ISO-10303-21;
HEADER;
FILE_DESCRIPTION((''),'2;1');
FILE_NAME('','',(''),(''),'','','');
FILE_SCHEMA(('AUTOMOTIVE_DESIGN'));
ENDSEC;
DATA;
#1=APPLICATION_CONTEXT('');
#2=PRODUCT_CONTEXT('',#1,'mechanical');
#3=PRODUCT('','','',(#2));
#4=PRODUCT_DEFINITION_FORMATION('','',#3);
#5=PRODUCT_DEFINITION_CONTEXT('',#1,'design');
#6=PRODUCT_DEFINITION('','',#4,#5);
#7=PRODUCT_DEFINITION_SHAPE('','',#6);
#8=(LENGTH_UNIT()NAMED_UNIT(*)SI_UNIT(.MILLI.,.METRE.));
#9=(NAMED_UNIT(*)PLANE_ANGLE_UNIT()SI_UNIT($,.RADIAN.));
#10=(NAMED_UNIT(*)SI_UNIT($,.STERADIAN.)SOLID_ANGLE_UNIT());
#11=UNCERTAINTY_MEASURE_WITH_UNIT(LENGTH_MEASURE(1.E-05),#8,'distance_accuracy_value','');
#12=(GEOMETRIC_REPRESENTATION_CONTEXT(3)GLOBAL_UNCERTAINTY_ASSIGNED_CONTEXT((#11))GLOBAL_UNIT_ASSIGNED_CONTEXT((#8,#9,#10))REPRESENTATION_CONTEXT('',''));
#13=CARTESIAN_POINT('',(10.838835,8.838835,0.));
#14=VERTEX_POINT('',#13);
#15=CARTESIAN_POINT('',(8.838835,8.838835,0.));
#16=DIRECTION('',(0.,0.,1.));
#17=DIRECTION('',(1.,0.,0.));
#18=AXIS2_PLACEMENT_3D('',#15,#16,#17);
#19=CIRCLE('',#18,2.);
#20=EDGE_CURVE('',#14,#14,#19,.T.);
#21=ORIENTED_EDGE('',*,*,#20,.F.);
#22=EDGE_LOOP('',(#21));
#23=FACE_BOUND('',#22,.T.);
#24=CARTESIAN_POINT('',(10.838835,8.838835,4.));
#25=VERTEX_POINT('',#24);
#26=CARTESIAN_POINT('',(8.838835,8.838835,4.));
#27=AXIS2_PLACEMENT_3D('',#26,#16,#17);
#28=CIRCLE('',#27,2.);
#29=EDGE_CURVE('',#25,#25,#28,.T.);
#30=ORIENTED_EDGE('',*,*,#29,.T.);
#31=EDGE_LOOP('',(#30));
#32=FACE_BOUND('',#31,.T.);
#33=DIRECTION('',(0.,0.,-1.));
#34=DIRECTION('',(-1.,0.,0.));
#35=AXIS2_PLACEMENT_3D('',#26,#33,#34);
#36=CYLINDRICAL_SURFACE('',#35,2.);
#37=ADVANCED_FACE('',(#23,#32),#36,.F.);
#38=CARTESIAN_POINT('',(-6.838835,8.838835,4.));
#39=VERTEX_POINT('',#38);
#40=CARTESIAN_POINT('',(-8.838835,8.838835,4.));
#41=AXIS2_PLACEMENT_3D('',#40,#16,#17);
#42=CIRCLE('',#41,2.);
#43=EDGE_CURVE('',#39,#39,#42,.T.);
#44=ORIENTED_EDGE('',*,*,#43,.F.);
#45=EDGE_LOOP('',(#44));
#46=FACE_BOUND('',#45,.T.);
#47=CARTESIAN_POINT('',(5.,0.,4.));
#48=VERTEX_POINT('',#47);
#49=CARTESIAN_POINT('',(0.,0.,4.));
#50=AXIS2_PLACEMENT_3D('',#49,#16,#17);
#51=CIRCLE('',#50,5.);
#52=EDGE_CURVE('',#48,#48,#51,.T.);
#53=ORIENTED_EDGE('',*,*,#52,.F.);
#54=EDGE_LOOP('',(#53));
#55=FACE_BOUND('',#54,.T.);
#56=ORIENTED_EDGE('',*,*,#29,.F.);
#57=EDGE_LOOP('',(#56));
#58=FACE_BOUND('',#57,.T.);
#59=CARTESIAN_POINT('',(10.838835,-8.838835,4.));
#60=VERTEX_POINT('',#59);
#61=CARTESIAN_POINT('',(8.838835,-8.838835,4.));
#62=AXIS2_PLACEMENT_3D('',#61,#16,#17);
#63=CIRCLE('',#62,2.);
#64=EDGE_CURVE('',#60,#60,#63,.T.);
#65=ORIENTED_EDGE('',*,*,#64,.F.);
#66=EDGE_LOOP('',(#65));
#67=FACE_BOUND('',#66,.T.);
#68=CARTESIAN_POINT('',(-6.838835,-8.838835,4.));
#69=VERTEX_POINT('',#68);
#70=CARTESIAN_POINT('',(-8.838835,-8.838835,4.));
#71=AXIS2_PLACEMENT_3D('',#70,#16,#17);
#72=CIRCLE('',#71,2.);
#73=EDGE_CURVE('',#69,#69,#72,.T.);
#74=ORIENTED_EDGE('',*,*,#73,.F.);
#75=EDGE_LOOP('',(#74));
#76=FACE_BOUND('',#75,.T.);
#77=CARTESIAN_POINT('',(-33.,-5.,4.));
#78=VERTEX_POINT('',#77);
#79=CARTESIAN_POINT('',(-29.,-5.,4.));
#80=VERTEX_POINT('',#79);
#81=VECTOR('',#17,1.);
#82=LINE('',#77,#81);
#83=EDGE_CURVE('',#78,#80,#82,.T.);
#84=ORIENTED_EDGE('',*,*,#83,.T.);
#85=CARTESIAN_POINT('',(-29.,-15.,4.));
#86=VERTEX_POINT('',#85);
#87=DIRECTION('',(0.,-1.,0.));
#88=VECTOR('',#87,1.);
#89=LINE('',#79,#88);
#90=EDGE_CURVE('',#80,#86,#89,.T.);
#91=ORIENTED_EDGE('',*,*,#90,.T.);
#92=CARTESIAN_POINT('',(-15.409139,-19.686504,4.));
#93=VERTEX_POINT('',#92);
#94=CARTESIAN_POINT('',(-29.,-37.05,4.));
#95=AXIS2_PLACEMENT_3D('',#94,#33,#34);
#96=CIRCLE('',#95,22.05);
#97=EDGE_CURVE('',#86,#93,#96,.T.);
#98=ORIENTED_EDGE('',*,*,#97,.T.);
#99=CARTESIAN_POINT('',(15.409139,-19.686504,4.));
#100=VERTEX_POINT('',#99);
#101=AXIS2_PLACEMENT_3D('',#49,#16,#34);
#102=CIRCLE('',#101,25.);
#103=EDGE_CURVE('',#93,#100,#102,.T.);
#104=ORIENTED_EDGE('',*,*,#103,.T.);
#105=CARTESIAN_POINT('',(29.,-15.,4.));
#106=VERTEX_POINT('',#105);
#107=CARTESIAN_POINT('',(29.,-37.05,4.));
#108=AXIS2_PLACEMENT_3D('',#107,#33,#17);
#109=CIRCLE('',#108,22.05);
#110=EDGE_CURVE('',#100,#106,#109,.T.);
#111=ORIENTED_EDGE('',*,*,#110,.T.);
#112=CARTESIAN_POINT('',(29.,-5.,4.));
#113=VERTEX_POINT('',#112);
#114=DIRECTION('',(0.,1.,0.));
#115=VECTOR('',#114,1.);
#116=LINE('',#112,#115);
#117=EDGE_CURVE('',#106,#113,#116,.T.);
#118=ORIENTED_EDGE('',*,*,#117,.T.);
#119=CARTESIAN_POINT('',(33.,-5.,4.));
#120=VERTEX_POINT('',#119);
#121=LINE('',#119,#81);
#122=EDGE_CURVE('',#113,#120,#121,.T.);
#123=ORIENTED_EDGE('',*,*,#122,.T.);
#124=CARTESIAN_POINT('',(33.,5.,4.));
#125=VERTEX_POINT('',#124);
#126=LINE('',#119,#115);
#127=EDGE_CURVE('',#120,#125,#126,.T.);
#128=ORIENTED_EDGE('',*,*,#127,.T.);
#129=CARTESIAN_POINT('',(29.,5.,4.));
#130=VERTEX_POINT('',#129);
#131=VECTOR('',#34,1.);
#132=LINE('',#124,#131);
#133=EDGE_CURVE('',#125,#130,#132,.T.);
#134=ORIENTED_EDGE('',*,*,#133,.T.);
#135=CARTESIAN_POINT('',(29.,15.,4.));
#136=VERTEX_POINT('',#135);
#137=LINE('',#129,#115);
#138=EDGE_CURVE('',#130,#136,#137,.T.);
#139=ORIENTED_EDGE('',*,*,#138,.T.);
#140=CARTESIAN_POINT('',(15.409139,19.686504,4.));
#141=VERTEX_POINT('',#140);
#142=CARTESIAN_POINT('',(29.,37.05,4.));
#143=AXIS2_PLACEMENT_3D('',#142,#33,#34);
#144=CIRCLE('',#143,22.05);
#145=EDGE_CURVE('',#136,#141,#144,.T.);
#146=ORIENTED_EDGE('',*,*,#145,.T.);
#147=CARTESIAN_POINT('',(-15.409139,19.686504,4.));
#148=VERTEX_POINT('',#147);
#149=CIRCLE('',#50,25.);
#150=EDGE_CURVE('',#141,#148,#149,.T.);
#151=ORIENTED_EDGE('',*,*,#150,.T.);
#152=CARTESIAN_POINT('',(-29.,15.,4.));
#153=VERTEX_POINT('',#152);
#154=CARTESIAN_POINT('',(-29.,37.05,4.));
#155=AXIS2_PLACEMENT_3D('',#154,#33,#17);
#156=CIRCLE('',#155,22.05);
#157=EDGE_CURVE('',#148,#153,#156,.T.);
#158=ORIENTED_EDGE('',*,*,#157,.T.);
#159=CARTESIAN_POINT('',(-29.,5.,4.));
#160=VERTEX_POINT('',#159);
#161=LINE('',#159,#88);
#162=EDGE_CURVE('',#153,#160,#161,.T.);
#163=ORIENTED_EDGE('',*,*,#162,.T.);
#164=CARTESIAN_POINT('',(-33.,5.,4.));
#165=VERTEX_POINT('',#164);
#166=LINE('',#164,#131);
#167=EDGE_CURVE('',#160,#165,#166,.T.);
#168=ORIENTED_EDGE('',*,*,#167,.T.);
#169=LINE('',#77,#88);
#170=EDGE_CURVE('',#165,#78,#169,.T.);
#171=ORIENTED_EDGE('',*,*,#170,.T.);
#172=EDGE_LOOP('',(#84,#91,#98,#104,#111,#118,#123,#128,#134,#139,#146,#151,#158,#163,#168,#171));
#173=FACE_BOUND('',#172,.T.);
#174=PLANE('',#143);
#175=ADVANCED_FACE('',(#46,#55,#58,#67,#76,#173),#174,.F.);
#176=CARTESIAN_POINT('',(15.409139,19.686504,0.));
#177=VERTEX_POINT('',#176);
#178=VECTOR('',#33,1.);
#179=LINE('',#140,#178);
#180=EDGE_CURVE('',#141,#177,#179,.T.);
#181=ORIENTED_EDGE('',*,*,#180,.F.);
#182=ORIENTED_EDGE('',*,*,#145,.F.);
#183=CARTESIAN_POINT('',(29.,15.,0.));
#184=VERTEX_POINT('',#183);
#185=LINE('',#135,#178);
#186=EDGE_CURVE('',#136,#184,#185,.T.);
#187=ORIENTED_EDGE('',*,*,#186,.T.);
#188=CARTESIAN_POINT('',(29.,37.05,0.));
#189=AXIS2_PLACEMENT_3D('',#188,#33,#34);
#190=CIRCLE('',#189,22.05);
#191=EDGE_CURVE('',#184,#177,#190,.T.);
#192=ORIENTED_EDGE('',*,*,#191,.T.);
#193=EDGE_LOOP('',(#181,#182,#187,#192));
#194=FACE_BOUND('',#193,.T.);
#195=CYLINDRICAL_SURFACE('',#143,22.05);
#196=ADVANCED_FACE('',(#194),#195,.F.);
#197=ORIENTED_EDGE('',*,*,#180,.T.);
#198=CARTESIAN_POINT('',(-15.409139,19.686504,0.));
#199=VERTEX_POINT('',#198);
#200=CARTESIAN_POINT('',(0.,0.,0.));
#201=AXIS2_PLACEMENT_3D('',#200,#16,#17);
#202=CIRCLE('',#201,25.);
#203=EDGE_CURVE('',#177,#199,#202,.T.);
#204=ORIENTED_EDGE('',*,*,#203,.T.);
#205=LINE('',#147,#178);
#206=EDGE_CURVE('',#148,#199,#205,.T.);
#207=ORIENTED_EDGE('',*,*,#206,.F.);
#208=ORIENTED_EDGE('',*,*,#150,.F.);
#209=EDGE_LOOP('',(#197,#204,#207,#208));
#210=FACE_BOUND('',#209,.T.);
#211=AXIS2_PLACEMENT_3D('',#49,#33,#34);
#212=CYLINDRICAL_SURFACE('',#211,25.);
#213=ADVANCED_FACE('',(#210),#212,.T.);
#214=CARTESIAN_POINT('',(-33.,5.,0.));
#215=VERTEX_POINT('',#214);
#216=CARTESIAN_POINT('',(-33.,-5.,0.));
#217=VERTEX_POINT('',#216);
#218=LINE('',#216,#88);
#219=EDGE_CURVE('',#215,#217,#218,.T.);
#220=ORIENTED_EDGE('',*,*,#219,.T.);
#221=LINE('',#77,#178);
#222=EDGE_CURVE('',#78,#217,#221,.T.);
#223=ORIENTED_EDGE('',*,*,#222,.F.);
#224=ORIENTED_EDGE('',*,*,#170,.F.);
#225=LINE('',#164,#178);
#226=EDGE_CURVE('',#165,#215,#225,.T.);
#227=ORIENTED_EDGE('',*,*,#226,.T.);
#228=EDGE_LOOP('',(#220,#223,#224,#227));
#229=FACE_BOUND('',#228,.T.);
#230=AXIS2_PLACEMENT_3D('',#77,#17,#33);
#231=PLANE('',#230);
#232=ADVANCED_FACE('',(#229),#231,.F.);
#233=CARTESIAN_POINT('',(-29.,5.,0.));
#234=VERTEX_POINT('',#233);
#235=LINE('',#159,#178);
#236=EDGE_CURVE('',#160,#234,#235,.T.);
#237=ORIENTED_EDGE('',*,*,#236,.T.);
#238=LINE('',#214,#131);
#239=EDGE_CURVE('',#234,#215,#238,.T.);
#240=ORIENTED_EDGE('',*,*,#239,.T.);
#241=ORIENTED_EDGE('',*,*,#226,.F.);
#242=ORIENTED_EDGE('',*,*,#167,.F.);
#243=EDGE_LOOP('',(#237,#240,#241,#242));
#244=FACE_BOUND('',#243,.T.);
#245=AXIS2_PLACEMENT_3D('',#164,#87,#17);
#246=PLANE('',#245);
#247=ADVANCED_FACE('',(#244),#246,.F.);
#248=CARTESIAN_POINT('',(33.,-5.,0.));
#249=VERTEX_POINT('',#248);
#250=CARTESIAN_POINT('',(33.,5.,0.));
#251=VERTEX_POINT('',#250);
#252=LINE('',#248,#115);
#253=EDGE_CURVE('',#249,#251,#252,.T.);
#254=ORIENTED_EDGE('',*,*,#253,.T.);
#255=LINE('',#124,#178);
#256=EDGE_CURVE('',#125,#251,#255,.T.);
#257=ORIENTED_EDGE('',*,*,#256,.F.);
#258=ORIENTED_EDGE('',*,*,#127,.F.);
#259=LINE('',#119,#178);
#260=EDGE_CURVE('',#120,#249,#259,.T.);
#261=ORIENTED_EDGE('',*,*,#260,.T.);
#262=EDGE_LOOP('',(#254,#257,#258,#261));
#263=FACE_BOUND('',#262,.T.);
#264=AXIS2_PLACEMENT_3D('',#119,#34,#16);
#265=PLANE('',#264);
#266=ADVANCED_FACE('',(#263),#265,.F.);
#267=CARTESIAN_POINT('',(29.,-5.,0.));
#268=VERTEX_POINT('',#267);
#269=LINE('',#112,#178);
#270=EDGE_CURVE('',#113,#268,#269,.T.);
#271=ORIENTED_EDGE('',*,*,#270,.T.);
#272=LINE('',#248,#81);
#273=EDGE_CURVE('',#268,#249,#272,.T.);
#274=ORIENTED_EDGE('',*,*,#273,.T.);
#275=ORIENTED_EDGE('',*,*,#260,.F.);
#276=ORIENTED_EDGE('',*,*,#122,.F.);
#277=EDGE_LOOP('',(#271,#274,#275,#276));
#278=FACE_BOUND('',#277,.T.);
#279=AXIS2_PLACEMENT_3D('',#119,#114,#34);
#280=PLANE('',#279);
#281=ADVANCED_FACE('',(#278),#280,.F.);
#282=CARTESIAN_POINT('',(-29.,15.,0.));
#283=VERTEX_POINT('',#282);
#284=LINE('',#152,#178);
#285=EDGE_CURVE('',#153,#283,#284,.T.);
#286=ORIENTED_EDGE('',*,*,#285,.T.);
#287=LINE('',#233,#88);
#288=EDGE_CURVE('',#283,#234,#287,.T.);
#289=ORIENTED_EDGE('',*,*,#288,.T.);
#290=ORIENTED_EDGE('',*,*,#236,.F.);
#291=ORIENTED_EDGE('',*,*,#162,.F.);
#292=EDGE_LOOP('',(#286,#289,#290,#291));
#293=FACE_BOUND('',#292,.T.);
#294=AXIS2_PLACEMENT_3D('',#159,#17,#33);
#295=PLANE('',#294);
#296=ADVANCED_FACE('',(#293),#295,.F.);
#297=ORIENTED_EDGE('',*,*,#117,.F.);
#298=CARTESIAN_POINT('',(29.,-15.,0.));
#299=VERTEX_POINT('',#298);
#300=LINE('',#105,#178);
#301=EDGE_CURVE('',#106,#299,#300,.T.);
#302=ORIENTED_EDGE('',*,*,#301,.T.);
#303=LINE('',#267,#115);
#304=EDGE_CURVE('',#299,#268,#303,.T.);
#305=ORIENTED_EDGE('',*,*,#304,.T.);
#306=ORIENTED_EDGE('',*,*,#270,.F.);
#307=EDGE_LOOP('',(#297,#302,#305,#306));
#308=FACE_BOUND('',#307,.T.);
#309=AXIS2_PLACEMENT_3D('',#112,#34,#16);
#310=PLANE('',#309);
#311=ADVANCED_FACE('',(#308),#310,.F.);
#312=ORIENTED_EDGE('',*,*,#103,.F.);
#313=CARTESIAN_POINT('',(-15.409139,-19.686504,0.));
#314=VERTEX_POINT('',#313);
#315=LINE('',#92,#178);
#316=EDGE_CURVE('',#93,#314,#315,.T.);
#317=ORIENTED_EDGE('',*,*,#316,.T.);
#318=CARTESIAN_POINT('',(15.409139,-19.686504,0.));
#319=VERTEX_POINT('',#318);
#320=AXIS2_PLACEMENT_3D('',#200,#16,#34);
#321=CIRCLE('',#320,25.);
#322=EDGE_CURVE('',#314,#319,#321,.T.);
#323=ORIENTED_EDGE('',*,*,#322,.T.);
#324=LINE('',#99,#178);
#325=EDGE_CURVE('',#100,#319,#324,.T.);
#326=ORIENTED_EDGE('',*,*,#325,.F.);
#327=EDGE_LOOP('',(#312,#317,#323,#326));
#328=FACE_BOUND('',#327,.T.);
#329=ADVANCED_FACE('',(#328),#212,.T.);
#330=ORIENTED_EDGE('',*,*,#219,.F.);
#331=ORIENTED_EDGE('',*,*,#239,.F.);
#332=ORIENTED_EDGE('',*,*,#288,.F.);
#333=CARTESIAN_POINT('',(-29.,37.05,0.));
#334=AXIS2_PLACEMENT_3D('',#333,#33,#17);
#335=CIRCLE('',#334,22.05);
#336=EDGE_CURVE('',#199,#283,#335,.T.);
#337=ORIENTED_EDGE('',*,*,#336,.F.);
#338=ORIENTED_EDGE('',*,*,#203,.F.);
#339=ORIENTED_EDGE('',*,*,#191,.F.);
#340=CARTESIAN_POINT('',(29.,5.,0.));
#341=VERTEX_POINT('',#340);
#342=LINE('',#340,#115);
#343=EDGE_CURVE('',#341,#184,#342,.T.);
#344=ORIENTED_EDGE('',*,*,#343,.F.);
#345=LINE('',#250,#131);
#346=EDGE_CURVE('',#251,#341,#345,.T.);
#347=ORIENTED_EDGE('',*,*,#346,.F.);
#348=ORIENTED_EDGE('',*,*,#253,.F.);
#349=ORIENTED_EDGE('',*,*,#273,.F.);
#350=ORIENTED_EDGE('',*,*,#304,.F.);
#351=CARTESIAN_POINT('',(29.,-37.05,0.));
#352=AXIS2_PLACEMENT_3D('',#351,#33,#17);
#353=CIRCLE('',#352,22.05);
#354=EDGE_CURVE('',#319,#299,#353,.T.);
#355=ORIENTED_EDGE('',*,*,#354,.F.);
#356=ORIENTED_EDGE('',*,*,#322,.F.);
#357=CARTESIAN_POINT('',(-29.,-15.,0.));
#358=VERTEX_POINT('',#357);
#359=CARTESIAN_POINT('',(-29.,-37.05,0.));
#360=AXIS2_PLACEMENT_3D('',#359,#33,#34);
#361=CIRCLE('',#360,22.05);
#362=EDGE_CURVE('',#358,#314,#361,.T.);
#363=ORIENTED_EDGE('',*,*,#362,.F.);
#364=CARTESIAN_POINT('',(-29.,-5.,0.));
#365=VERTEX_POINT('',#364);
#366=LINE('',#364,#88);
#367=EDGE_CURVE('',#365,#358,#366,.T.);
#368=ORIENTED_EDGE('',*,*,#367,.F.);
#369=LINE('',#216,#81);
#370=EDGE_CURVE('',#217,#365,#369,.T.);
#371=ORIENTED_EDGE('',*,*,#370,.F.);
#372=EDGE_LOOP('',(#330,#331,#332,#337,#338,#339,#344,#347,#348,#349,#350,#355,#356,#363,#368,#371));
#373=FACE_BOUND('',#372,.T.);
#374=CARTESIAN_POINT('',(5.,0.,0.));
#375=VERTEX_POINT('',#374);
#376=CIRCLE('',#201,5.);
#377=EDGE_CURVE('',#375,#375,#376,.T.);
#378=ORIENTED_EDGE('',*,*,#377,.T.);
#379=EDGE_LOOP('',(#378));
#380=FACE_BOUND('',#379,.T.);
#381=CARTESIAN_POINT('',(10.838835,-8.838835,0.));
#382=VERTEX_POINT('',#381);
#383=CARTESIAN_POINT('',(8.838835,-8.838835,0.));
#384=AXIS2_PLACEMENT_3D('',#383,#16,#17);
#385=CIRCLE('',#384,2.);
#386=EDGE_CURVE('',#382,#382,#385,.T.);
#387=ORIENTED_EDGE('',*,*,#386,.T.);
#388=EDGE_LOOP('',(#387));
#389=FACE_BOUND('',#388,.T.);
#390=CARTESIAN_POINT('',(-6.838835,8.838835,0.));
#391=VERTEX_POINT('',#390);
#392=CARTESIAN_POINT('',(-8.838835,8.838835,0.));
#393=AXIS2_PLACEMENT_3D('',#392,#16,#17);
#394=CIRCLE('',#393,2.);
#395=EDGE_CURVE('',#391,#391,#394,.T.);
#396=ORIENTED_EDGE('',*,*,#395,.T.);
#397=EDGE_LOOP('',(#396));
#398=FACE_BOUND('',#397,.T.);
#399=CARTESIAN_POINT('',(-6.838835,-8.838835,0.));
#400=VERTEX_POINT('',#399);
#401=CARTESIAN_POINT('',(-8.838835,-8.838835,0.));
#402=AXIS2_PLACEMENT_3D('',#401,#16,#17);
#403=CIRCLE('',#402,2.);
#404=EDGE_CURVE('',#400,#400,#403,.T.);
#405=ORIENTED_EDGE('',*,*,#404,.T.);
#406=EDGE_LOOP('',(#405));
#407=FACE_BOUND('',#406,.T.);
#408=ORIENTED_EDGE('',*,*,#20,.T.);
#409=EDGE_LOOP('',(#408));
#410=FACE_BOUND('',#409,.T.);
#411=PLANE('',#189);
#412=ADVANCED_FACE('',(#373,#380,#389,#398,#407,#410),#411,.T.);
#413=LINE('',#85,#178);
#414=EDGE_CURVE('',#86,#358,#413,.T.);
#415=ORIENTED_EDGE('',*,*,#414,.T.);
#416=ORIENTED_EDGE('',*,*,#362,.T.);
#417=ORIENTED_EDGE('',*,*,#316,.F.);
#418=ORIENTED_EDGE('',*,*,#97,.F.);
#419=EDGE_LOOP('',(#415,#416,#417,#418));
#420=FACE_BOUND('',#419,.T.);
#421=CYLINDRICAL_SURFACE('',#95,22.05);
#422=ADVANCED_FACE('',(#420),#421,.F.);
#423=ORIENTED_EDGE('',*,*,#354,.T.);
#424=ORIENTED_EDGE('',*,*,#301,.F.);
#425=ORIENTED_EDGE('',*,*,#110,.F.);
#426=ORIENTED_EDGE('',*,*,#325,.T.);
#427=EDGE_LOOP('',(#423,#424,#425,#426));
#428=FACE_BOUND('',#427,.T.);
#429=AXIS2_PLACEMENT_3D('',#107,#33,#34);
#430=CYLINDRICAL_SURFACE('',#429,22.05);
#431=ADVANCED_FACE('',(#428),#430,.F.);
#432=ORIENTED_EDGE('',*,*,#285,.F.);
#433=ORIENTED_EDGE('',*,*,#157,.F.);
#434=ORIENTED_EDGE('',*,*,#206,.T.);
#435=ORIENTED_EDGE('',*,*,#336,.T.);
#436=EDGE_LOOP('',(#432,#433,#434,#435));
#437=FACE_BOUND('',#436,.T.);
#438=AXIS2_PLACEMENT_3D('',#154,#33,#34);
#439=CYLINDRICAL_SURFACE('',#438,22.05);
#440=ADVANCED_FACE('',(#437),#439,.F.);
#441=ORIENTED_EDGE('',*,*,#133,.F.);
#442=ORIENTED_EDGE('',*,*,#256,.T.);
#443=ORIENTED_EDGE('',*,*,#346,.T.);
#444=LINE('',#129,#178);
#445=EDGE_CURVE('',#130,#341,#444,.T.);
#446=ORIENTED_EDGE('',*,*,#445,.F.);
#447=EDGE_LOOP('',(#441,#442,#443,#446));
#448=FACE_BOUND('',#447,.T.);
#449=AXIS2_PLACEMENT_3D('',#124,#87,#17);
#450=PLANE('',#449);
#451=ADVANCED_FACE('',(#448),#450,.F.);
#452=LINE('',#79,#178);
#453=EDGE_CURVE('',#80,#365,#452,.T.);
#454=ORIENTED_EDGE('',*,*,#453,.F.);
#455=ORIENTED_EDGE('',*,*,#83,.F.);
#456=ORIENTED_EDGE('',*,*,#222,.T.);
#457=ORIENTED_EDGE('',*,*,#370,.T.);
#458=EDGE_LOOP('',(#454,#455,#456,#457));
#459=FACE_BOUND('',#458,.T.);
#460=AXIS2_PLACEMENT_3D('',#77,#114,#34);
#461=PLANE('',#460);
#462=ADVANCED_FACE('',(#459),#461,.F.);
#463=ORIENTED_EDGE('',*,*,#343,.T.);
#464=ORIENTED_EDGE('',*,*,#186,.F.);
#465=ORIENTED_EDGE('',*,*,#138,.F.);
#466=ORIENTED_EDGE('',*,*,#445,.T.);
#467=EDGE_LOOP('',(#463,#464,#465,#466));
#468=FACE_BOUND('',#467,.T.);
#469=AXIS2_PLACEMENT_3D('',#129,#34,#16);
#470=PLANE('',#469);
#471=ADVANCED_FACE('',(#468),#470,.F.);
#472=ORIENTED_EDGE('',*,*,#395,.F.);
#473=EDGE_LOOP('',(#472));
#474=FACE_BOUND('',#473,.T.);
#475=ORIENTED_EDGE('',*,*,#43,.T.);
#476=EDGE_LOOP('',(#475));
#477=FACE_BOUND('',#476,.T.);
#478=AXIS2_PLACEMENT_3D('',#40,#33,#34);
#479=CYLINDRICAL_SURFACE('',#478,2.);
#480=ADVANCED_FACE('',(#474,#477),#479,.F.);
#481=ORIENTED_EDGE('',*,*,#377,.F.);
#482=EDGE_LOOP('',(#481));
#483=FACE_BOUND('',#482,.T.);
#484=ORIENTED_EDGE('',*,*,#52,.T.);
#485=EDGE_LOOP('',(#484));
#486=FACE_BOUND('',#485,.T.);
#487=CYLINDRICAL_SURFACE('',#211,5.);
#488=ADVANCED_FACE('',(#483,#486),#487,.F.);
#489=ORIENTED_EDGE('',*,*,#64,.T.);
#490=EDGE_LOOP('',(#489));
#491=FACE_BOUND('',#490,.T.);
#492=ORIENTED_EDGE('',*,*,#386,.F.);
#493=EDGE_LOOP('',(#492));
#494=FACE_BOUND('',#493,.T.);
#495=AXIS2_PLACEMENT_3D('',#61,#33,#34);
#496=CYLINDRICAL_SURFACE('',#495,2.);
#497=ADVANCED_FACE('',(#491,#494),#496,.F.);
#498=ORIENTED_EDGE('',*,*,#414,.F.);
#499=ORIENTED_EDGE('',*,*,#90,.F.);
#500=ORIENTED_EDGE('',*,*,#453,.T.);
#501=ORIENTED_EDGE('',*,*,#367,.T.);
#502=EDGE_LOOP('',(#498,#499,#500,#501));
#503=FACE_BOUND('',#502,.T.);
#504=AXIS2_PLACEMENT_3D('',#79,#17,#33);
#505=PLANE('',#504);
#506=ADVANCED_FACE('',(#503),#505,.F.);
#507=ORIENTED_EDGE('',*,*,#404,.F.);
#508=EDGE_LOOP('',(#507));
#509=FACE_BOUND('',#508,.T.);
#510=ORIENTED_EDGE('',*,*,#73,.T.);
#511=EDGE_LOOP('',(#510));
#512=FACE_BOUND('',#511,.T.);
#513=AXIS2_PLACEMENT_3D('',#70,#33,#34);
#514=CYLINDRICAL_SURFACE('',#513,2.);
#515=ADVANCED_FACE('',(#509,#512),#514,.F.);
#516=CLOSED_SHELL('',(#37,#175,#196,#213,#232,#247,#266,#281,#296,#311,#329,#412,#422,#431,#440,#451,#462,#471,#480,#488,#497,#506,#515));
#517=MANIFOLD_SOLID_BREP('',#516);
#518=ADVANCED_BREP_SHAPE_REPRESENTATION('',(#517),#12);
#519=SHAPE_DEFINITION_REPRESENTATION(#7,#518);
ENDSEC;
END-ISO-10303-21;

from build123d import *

# Parameters (mm, degrees)
ESQUISSE1_R        = 5
ESQUISSE1_R_2      = 2
BOSS_EXTRU_1_DEPTH = 4


with BuildPart() as part:
    # Esquisse1 → Boss.-Extru.1 (new body)
    with BuildSketch(Plane.XY):
        with BuildLine():
            Line((33, -5), (33, 5))
            Line((33, 5), (29, 5))
            Line((29, 5), (29, 15))
            ThreePointArc((29, 15), (21.811905433, 16.204525755), (15.409139214, 19.686503719))
            ThreePointArc((15.409139214, 19.686503719), (0, 25), (-15.409139214, 19.686503719))
            ThreePointArc((-15.409139214, 19.686503719), (-21.811905433, 16.204525755), (-29, 15))
            Line((-29, 15), (-29, 5))
            Line((-29, 5), (-33, 5))
            Line((-33, 5), (-33, -5))
            Line((-33, -5), (-29, -5))
            Line((-29, -5), (-29, -15))
            ThreePointArc((-29, -15), (-21.811905433, -16.204525755), (-15.409139214, -19.686503719))
            ThreePointArc((-15.409139214, -19.686503719), (0, -25), (15.409139214, -19.686503719))
            ThreePointArc((15.409139214, -19.686503719), (21.811905433, -16.204525755), (29, -15))
            Line((29, -15), (29, -5))
            Line((29, -5), (33, -5))
        make_face()
        Circle(ESQUISSE1_R, mode=Mode.SUBTRACT)
        with Locations((-8.838834765, 8.838834765)):
            Circle(ESQUISSE1_R_2, mode=Mode.SUBTRACT)
        with Locations((8.838834765, 8.838834765)):
            Circle(ESQUISSE1_R_2, mode=Mode.SUBTRACT)
        with Locations((8.838834765, -8.838834765)):
            Circle(ESQUISSE1_R_2, mode=Mode.SUBTRACT)
        with Locations((-8.838834765, -8.838834765)):
            Circle(ESQUISSE1_R_2, mode=Mode.SUBTRACT)
    extrude(amount=BOSS_EXTRU_1_DEPTH)


solid = part.part
